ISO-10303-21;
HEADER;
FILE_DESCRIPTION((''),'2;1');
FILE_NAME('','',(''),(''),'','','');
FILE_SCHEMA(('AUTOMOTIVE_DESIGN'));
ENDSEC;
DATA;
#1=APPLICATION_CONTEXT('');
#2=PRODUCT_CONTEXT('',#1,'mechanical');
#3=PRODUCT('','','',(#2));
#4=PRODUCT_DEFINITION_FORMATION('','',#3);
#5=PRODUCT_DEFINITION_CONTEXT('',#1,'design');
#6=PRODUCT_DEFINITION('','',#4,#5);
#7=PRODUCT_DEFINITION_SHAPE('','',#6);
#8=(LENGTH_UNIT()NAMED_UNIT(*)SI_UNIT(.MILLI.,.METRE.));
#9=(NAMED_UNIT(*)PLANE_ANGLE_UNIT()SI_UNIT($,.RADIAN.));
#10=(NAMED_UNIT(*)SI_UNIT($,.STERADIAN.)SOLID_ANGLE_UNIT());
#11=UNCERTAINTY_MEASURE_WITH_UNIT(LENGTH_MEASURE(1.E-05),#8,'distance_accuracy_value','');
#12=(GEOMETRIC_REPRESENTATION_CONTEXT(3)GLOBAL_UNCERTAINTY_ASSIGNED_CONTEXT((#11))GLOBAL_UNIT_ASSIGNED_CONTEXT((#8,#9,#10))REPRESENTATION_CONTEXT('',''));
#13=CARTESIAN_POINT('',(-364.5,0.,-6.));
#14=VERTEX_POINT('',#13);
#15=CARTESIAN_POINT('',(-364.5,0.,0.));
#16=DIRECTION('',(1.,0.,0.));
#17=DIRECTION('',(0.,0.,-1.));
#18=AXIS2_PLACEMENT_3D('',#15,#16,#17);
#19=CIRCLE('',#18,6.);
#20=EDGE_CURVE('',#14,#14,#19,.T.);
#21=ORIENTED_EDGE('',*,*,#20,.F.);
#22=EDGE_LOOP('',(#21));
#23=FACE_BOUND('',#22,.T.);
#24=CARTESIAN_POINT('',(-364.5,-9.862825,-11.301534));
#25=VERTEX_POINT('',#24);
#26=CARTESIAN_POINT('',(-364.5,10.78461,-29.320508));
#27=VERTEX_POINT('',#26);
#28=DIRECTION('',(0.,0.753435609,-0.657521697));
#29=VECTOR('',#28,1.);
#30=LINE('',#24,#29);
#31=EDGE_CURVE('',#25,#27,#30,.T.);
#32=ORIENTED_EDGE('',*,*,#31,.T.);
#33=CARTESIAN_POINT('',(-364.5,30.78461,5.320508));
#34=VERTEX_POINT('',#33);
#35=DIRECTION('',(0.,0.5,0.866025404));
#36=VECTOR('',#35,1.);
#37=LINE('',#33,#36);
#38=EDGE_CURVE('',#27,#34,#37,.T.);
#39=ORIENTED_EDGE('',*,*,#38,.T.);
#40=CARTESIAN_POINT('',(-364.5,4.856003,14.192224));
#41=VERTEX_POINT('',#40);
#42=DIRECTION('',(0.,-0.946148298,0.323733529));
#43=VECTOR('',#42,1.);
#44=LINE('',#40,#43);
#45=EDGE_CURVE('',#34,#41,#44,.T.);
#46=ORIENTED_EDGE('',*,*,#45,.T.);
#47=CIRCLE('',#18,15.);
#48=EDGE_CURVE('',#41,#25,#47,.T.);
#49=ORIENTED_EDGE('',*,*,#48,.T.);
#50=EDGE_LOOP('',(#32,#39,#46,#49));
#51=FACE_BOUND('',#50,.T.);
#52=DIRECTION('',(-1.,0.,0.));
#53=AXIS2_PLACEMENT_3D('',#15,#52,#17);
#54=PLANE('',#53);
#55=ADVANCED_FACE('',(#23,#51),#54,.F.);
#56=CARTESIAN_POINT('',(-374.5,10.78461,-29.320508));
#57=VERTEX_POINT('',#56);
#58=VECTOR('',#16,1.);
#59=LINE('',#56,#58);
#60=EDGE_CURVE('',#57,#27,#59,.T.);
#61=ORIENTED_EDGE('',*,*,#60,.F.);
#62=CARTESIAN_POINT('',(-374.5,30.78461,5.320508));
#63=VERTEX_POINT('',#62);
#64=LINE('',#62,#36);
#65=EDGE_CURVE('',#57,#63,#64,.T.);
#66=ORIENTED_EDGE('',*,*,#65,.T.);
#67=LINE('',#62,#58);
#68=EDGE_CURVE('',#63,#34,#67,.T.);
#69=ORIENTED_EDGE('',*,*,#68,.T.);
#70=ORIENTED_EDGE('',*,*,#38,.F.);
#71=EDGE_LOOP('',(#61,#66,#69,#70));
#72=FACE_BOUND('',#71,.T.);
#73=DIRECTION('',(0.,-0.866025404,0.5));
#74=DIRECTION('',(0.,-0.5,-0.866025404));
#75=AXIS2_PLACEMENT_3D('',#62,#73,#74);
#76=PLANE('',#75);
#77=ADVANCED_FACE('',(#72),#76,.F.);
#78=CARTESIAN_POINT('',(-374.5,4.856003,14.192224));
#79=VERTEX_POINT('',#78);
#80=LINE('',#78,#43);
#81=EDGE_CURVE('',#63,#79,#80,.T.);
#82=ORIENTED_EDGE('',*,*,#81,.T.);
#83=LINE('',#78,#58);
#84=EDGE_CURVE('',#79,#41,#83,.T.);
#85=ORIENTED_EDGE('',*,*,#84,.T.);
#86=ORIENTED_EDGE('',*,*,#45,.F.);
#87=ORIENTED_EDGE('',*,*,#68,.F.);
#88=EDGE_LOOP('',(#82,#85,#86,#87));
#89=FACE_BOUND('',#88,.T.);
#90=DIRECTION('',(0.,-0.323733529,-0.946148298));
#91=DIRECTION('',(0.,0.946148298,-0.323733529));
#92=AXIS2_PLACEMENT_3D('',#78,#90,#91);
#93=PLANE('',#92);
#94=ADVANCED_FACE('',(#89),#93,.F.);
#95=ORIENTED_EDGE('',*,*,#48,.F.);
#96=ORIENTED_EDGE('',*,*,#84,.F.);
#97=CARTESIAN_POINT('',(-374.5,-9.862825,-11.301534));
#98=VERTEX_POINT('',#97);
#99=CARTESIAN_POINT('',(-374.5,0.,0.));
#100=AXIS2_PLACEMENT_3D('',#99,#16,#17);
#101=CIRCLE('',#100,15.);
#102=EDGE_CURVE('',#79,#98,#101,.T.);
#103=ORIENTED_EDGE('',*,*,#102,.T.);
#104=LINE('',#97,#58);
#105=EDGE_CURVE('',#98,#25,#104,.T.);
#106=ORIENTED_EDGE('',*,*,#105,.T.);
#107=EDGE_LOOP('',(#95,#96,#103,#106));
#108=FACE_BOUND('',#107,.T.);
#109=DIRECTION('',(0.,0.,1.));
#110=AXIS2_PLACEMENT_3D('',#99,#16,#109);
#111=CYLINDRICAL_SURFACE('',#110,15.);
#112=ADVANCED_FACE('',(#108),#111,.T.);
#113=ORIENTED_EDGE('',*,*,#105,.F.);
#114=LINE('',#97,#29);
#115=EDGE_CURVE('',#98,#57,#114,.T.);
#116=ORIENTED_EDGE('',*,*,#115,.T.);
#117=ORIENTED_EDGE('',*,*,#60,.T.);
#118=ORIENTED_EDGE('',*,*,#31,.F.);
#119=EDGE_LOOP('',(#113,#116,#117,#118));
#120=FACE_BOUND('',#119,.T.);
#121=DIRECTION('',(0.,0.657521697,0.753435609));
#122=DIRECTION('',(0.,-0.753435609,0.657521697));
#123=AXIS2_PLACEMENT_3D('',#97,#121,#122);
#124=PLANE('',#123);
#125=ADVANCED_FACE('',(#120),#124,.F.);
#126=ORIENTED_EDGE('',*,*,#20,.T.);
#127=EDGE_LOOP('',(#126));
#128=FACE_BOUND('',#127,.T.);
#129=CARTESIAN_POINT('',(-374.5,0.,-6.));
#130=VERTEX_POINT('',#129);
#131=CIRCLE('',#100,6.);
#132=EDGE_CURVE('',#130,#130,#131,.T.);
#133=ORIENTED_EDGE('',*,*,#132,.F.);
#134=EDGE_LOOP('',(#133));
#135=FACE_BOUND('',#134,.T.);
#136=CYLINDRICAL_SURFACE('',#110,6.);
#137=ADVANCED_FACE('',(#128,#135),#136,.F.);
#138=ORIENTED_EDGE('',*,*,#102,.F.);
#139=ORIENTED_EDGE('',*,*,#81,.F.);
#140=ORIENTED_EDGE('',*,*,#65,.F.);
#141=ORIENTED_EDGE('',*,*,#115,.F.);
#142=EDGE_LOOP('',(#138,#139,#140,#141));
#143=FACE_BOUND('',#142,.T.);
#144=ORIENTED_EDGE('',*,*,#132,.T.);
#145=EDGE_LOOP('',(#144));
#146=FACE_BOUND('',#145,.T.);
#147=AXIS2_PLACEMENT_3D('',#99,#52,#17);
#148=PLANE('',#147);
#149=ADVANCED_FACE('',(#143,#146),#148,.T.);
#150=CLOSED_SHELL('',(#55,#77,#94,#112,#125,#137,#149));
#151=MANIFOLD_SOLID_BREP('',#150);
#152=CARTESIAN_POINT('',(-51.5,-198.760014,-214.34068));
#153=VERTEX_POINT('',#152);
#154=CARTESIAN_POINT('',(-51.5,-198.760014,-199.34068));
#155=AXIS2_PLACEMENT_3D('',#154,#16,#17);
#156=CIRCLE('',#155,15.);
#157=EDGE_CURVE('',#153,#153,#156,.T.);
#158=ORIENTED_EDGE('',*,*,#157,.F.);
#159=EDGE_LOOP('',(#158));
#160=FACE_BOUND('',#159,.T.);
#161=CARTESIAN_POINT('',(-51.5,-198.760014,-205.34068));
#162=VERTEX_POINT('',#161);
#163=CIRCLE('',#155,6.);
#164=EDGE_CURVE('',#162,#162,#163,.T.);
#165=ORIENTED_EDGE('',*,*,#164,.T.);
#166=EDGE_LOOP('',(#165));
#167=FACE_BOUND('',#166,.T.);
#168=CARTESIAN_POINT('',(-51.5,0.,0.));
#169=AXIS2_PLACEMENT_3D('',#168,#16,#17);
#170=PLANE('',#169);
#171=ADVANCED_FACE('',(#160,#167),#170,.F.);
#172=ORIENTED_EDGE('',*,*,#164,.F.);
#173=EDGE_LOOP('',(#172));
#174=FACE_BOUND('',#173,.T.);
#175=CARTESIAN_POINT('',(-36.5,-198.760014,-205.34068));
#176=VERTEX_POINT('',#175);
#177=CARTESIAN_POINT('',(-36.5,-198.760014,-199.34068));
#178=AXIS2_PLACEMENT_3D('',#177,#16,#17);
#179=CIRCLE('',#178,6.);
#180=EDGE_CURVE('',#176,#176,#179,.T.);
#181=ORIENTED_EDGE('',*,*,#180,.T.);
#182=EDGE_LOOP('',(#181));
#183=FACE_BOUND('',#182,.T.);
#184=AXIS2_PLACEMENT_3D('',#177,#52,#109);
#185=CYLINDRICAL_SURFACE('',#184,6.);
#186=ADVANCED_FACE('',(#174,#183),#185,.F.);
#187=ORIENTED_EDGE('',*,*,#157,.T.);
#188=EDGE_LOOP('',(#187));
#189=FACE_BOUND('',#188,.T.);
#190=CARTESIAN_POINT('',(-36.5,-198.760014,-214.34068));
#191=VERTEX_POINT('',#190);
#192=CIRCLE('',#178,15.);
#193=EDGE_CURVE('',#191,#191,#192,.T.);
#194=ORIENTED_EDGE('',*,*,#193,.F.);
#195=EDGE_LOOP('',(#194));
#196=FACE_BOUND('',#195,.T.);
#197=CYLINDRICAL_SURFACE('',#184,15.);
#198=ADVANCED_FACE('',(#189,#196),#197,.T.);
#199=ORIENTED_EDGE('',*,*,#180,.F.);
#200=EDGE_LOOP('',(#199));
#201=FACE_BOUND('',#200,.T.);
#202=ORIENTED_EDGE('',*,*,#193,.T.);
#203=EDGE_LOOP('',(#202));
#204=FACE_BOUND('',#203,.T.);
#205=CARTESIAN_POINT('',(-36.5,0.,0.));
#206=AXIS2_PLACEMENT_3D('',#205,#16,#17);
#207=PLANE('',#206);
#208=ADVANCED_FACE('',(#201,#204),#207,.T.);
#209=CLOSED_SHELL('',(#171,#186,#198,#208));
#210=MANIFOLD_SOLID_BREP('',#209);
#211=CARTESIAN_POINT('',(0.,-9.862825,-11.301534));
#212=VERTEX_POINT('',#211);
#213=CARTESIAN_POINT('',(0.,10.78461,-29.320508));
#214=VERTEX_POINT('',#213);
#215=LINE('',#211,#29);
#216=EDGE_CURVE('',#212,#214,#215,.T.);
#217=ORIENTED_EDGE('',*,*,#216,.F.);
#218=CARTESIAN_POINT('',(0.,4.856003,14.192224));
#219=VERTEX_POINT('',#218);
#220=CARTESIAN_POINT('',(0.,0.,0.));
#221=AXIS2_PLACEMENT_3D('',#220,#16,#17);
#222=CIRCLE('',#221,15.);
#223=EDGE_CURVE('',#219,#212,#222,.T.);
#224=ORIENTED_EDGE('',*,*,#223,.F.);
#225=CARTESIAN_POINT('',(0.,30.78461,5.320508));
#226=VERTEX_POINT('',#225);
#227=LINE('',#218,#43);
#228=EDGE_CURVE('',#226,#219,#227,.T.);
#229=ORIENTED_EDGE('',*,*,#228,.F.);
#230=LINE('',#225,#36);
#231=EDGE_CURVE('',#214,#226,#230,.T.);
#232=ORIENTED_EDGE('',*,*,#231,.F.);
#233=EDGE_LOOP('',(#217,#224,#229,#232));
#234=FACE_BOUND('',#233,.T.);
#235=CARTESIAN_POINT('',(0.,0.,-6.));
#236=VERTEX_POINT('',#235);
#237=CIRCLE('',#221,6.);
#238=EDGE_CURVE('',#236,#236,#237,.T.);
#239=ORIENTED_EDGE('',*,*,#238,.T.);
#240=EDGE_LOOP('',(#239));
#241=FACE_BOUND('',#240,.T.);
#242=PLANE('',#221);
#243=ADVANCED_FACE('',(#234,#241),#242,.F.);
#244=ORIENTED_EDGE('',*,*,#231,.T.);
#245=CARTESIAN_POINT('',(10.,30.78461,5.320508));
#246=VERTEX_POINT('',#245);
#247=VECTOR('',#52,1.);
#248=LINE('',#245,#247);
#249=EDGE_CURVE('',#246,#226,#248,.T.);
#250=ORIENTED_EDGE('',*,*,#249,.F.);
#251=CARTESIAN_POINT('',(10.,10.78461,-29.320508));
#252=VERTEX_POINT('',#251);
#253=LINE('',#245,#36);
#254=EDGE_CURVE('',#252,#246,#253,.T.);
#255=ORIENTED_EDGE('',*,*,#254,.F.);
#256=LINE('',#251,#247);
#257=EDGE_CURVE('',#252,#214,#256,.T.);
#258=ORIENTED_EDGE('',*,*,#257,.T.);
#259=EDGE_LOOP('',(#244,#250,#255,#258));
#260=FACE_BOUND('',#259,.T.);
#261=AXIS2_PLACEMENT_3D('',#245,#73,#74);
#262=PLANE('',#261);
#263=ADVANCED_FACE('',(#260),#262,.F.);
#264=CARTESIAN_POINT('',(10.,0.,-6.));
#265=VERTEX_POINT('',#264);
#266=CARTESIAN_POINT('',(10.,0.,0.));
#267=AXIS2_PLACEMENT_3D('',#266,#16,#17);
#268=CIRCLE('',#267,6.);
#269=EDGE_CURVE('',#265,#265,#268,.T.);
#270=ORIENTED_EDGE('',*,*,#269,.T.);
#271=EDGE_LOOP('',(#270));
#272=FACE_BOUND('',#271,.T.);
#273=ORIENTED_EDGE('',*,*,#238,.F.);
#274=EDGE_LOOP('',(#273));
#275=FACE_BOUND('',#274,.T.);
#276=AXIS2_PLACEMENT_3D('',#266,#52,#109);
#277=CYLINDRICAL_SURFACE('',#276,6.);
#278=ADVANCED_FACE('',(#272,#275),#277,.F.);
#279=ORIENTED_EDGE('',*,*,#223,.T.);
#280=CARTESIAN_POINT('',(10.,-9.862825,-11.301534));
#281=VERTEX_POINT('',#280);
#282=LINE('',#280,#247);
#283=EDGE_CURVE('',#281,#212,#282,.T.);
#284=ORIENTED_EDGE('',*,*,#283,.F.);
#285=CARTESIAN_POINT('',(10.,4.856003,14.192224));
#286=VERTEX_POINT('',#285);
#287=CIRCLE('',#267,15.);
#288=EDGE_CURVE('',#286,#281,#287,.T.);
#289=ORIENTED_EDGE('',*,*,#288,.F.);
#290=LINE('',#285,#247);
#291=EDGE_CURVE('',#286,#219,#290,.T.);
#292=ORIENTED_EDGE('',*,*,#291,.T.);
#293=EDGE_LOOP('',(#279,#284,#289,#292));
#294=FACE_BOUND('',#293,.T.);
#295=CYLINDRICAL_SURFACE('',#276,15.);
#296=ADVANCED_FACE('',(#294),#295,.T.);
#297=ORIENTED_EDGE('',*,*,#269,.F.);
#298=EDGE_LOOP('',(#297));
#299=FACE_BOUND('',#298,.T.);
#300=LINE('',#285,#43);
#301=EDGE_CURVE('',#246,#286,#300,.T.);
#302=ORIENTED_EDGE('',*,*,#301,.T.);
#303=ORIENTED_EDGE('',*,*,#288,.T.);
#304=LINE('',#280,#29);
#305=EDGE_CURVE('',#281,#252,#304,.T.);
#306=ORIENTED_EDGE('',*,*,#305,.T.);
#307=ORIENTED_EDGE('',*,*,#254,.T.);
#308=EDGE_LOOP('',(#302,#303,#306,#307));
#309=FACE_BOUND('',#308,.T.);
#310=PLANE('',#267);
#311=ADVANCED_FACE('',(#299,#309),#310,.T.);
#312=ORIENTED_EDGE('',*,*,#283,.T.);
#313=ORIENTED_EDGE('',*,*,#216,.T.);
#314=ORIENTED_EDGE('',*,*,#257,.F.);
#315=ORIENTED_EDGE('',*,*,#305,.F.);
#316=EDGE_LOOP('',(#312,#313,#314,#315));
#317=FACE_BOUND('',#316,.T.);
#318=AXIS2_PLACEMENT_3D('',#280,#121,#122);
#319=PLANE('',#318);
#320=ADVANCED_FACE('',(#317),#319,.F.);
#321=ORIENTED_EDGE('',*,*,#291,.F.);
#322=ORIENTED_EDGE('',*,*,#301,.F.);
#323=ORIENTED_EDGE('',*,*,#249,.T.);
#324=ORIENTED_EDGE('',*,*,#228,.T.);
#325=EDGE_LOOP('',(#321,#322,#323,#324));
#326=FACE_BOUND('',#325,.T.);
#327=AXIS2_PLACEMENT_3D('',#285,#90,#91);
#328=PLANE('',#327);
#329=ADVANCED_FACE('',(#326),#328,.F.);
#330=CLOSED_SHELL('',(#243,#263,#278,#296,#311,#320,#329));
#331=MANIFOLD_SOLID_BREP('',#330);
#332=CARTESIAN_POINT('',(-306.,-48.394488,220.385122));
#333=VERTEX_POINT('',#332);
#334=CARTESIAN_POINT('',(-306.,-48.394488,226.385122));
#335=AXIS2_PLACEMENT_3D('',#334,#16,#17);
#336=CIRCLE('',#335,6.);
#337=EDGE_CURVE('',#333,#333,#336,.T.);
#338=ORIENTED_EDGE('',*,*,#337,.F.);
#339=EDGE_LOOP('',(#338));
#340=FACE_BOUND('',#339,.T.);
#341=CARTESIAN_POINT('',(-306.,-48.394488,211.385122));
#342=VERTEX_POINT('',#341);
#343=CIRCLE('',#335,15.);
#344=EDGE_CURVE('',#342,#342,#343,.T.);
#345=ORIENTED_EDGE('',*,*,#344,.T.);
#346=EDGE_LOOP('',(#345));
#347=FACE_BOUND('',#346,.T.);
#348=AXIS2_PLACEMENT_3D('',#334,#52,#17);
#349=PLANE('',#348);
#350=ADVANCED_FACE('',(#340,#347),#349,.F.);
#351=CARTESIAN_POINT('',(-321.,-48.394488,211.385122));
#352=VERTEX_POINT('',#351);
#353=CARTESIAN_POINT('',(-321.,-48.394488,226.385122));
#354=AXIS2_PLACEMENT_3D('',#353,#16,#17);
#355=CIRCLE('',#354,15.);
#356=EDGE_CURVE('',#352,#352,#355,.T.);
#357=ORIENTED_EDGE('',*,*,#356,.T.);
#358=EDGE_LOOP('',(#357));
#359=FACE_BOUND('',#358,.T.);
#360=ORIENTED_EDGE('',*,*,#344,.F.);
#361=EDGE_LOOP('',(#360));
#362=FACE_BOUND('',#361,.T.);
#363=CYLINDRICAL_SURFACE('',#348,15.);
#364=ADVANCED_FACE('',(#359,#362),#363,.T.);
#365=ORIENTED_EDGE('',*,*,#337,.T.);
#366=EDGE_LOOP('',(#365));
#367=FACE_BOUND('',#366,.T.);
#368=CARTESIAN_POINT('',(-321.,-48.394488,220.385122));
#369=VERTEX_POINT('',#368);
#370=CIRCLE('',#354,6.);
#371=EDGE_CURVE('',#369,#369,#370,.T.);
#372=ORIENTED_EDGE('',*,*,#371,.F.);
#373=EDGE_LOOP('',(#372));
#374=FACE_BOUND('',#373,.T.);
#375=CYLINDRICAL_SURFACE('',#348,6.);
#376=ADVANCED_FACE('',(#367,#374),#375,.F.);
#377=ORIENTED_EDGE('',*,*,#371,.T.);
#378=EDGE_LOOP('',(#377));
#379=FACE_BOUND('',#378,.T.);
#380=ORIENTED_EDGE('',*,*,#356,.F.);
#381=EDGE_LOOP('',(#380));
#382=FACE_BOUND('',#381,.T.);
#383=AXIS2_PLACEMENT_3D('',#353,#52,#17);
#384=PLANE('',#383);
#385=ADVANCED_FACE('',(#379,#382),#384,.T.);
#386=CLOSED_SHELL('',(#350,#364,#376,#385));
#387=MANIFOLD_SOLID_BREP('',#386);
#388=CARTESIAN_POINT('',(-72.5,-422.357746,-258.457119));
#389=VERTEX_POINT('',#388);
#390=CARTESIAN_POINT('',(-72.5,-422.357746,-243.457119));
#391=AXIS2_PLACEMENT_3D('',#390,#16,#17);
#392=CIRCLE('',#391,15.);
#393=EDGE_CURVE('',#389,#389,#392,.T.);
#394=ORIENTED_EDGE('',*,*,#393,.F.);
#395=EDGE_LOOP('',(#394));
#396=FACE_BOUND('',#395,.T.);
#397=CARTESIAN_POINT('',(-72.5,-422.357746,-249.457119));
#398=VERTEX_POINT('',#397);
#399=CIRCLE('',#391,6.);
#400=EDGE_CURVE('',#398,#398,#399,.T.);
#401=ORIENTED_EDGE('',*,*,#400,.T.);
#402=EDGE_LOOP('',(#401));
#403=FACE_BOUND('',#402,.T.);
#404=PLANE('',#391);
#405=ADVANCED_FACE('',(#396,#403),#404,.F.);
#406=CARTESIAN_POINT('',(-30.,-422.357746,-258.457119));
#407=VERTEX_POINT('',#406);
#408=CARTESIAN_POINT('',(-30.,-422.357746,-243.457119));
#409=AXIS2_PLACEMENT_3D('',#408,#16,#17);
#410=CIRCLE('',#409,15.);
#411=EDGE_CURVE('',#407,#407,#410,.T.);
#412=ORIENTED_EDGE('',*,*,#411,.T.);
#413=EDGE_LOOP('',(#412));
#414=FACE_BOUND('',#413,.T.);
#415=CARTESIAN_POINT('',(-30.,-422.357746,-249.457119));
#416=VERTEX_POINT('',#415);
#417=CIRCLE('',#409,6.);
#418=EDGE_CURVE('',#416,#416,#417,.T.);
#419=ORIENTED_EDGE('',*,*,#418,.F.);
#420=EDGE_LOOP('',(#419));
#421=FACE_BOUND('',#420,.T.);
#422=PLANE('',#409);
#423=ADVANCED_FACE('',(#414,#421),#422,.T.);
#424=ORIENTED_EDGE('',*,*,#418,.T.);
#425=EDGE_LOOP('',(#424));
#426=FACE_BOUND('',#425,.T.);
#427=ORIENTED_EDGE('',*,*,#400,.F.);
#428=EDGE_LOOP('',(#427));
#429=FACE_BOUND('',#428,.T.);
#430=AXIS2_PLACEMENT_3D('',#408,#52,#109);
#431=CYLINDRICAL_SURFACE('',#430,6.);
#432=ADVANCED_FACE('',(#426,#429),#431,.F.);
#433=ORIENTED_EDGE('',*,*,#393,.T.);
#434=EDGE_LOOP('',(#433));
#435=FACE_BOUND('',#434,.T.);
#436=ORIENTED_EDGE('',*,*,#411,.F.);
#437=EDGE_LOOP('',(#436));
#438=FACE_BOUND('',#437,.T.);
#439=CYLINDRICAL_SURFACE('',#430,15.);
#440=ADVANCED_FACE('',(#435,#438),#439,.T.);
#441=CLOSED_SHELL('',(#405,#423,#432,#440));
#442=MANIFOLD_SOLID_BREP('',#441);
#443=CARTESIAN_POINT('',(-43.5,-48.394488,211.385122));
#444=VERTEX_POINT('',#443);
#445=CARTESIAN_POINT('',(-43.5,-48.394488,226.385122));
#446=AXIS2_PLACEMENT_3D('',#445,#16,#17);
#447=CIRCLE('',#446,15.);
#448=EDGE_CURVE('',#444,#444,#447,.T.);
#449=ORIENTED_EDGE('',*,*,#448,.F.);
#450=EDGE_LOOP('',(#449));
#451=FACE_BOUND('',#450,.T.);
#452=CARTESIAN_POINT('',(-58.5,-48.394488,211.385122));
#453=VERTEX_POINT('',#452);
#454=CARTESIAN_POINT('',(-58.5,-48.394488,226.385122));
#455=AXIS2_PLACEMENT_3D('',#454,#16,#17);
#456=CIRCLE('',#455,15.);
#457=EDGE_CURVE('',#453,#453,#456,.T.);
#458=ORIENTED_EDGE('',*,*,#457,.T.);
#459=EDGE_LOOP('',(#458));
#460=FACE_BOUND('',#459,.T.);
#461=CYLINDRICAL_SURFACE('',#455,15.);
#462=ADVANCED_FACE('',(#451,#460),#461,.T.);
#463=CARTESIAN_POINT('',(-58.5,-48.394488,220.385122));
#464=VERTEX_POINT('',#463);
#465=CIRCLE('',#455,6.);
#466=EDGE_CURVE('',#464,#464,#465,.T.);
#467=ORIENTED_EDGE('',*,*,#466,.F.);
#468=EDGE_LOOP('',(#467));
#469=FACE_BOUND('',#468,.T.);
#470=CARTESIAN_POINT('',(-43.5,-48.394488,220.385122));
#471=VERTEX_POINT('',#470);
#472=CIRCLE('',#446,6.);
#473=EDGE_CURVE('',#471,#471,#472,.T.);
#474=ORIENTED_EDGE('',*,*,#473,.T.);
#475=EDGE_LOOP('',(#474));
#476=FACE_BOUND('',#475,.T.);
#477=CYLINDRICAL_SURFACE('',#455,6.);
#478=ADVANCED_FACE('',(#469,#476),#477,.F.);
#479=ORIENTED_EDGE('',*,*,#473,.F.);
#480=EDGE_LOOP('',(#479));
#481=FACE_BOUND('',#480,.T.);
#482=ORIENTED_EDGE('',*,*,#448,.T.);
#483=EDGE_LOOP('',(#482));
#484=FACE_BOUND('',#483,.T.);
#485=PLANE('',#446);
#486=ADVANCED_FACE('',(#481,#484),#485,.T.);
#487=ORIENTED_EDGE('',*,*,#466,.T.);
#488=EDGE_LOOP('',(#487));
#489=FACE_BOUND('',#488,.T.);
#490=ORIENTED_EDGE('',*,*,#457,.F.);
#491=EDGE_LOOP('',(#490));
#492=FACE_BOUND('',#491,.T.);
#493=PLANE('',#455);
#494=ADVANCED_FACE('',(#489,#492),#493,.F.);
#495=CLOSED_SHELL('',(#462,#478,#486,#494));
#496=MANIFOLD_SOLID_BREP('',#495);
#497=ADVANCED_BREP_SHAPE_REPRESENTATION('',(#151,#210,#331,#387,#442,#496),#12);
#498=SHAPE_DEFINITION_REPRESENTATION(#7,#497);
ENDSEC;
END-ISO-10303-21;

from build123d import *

# Parameters (mm, degrees)
SKETCH2_R           = 6
BOSS_EXTRUDE1_DEPTH = 10
SKETCH3_R           = 15
SKETCH3_R_2         = 6
BOSS_EXTRUDE2_DEPTH = 15
SKETCH5_R           = 15
SKETCH5_R_2         = 6
BOSS_EXTRUDE3_DEPTH = 42.5
BOSS_EXTRUDE4_DEPTH = 15


with BuildPart() as part:
    # Sketch2 → Boss-Extrude1 (new body)
    with BuildSketch(Plane(origin=(0, 0, 0), x_dir=(0, 0, -1), z_dir=(1, 0, 0))):
        with BuildLine():
            Line((-5.320508076, 30.784609691), (29.320508076, 10.784609691))
            Line((29.320508076, 10.784609691), (11.301534141, -9.862825461))
            ThreePointArc((11.301534141, -9.862825461), (-7.5, -12.990381057), (-14.192224472, 4.856002937))
            Line((-14.192224472, 4.856002937), (-5.320508076, 30.784609691))
        make_face()
        Circle(SKETCH2_R, mode=Mode.SUBTRACT)
    extrude(amount=BOSS_EXTRUDE1_DEPTH)


with BuildPart() as body_2:
    # Sketch3 → Boss-Extrude2 (new body)
    with BuildSketch(Plane(origin=(-43.5, 0, 0), x_dir=(0, 0, -1), z_dir=(1, 0, 0))):
        with Locations((-226.385122131, -48.394488094)):
            Circle(SKETCH3_R)
        with Locations((-226.385122131, -48.394488094)):
            Circle(SKETCH3_R_2, mode=Mode.SUBTRACT)
    extrude(amount=-BOSS_EXTRUDE2_DEPTH)


with BuildPart() as body_3:
    # Sketch5 → Boss-Extrude3 (new body)
    with BuildSketch(Plane(origin=(-72.5, 0, 0), x_dir=(0, 0, -1), z_dir=(1, 0, 0))):
        with Locations((243.45711943, -422.357745708)):
            Circle(SKETCH5_R)
        with Locations((243.45711943, -422.357745708)):
            Circle(SKETCH5_R_2, mode=Mode.SUBTRACT)
    extrude(amount=BOSS_EXTRUDE3_DEPTH)


with BuildPart() as body_4:
    # Sketch7 → Boss-Extrude4 (new body)
    with BuildSketch(Plane(origin=(-51.5, 0, 0), x_dir=(0, 0, -1), z_dir=(1, 0, 0))):
        with BuildLine():
            Line((193.683194113, -196.761801503), (185.196965502, -193.76448204))
            ThreePointArc((185.196965502, -193.76448204), (187.995008135, -208.572034313), (202.24424464, -213.476308561))
            Line((202.24424464, -213.476308561), (200.502105768, -204.646532111))
            ThreePointArc((200.502105768, -204.646532111), (194.802411166, -202.684822412), (193.683194113, -196.761801503))
        make_face()
        with BuildLine():
            ThreePointArc((214.340679854, -198.760014478), (205.070823115, -184.897638845), (188.71861876, -188.168894701))
            Line((188.71861876, -188.168894701), (195.091855416, -194.523566568))
            ThreePointArc((195.091855416, -194.523566568), (201.632737158, -193.215064225), (205.340679854, -198.760014478))
            ThreePointArc((205.340679854, -198.760014478), (203.975793417, -202.569964905), (200.502105768, -204.646532111))
            Line((200.502105768, -204.646532111), (202.24424464, -213.476308561))
            ThreePointArc((202.24424464, -213.476308561), (210.928463762, -208.284890546), (214.340679854, -198.760014478))
        make_face()
        with BuildLine():
            ThreePointArc((188.71861876, -188.168894701), (186.645658871, -190.770243378), (185.196965502, -193.76448204))
            Line((185.196965502, -193.76448204), (193.683194113, -196.761801503))
            ThreePointArc((193.683194113, -196.761801503), (194.26267146, -195.564106038), (195.091855416, -194.523566568))
            Line((195.091855416, -194.523566568), (188.71861876, -188.168894701))
        make_face()
    extrude(amount=BOSS_EXTRUDE4_DEPTH)


with BuildPart() as body_5:
    # Mirror5: mirrored copy
    add(body_2.part.mirror(Plane.ZY.offset(182.25)))


with BuildPart() as body_6:
    # Mirror5 2: mirrored copy
    add(part.part.mirror(Plane.ZY.offset(182.25)))


solid = Compound([part.part, body_2.part, body_3.part, body_4.part, body_5.part, body_6.part])
